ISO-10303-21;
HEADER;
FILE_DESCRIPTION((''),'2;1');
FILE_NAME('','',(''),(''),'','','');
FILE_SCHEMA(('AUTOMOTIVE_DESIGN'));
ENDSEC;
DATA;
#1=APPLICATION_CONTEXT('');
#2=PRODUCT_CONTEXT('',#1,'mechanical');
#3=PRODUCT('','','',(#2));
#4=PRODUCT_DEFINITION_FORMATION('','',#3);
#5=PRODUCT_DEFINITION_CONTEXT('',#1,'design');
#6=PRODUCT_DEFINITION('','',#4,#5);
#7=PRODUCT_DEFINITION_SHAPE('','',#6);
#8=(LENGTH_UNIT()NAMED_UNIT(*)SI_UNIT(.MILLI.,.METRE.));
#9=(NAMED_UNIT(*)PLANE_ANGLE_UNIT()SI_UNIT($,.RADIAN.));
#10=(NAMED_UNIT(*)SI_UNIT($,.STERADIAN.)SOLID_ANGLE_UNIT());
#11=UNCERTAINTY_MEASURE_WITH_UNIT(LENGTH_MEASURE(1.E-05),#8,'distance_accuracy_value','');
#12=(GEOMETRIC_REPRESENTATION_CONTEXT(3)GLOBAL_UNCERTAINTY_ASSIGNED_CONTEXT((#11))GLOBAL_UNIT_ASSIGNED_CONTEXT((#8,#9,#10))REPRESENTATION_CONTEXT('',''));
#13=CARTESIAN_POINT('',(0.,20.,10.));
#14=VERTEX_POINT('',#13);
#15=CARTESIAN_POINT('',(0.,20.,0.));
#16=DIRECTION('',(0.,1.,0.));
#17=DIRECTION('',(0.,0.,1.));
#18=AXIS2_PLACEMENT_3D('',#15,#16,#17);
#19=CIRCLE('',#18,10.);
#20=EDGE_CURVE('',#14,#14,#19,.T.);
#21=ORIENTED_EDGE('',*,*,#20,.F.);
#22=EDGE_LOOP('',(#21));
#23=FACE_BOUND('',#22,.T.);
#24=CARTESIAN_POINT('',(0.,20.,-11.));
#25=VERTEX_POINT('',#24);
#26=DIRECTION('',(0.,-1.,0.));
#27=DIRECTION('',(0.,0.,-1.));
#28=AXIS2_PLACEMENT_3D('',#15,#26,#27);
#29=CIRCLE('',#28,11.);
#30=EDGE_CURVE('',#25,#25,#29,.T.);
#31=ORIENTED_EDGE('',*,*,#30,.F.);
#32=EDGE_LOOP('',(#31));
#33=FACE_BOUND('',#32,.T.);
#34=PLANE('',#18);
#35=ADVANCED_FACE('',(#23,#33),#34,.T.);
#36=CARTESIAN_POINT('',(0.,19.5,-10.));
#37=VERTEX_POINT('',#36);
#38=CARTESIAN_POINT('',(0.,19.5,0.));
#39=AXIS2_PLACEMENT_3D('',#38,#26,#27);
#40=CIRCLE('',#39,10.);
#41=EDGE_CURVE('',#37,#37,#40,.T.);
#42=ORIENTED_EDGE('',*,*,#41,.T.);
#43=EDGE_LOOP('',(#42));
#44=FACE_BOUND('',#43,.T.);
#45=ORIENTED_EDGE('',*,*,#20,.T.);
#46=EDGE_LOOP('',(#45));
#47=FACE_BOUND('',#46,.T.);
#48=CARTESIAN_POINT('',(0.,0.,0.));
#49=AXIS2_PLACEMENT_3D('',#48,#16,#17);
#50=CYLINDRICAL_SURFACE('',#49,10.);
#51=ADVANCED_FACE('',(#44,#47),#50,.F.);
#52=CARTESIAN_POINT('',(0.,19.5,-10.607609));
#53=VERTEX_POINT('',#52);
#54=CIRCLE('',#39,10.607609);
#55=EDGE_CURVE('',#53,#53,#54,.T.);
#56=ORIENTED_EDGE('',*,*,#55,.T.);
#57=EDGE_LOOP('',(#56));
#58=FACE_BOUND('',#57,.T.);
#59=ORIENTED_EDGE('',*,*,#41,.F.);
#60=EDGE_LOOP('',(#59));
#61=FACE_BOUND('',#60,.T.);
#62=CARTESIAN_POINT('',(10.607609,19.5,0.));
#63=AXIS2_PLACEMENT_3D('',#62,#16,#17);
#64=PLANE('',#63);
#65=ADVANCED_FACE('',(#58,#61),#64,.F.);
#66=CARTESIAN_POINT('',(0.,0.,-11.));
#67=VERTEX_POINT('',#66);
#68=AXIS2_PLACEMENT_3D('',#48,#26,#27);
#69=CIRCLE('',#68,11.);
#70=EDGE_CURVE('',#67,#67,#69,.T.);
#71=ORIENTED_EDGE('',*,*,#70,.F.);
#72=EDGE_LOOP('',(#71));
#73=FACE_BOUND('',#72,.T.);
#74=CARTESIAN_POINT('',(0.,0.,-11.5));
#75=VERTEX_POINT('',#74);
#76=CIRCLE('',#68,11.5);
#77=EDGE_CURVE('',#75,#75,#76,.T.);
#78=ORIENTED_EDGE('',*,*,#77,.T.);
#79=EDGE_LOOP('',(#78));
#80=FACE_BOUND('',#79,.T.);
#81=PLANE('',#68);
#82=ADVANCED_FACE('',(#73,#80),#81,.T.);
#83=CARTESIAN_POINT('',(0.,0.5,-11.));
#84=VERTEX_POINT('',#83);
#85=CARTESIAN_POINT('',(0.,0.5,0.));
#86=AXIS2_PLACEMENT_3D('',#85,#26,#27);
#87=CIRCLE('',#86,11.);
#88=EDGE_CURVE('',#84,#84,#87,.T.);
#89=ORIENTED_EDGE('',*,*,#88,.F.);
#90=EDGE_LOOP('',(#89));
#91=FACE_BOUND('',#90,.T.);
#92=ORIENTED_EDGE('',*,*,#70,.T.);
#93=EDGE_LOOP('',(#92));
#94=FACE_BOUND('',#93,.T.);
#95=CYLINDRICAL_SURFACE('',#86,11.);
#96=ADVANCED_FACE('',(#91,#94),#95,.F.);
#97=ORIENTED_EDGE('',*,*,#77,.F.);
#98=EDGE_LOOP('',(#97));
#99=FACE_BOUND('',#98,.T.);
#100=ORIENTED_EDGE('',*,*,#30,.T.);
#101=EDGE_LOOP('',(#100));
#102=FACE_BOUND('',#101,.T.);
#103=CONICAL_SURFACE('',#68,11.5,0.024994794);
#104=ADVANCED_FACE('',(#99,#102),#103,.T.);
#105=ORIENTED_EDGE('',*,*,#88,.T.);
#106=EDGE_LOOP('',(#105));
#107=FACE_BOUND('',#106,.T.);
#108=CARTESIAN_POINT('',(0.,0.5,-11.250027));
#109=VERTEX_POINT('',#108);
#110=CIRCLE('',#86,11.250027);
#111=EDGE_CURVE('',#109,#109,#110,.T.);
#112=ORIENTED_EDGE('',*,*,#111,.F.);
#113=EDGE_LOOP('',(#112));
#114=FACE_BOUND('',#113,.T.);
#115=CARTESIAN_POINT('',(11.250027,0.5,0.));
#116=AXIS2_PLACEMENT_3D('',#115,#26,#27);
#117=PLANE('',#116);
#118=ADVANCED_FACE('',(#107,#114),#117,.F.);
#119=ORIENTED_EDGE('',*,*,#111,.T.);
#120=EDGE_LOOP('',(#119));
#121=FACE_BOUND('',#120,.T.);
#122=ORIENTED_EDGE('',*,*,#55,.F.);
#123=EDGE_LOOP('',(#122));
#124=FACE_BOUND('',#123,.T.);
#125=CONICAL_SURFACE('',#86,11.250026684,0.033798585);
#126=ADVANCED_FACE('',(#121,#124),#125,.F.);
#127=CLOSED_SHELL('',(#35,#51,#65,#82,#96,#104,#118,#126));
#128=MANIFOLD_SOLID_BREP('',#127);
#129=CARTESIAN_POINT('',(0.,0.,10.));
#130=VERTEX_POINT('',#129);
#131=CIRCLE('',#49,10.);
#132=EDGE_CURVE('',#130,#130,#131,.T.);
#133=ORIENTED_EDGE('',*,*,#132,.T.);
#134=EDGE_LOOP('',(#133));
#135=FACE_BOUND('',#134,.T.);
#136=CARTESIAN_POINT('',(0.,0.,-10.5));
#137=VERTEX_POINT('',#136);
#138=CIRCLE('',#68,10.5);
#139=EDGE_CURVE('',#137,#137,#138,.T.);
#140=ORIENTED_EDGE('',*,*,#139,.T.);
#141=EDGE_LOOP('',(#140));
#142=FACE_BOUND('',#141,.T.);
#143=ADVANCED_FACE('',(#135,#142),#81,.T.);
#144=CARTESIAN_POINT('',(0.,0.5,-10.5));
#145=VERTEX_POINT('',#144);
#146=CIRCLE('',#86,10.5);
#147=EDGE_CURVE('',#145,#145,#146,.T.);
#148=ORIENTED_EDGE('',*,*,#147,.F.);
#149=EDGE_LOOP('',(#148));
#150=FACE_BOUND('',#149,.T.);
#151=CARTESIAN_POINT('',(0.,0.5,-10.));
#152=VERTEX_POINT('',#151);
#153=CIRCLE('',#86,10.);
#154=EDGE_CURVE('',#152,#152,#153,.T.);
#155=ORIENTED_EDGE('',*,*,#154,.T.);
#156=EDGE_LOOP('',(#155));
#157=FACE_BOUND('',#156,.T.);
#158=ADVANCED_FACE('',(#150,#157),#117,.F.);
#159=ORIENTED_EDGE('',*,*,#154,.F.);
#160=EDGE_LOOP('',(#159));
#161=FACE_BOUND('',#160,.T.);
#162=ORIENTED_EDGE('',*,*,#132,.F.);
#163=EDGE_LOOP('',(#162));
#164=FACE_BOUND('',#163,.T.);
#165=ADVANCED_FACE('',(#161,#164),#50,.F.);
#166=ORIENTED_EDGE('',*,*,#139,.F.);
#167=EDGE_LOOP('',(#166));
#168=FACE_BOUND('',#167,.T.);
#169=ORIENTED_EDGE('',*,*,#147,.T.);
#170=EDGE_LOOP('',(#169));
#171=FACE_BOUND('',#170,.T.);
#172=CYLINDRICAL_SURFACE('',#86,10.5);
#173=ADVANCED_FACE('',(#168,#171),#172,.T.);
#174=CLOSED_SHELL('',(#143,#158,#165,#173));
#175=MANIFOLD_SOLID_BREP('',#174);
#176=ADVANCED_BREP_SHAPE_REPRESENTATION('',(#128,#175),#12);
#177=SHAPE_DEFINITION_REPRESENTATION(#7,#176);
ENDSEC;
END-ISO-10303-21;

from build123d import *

# Parameters (mm, degrees)
SKETCH6_R          = 10
CUT_EXTRUDE1_DEPTH = 20
SKETCH8_R          = 11
SKETCH8_R_2        = 10.5
CUT_EXTRUDE3_DEPTH = 0.5


with BuildPart() as part:
    # Sketch3 → Revolve1 (revolve)
    with BuildSketch(Plane.XY):
        Polygon((0, 0), (11.5, 0), (11, 20), (0, 20), align=None)
    revolve(axis=Axis((0, 0, 0), (0, 1, 0)))

    # Sketch6 → Cut-Extrude1 (cut)
    with BuildSketch(Plane(origin=(0, 20, 0), x_dir=(1, 0, 0), z_dir=(0, 1, 0))):
        Circle(SKETCH6_R)
    extrude(amount=-CUT_EXTRUDE1_DEPTH, mode=Mode.SUBTRACT)

    # Sketch7 → Cut-Revolve1 (revolve, cut)
    with BuildSketch(Plane.XY):
        Polygon((10, 19.5), (10, 0.5), (11.250026684, 0.5), (10.607608939, 19.5), align=None)
    revolve(axis=Axis((0, 0, 0), (0, 1, 0)), mode=Mode.SUBTRACT)

    # Sketch8 → Cut-Extrude3 (cut)
    with BuildSketch(Plane(origin=(0, 0, 0), x_dir=(-1, 0, 0), z_dir=(0, -1, 0))):
        Circle(SKETCH8_R)
        Circle(SKETCH8_R_2, mode=Mode.SUBTRACT)
    extrude(amount=-CUT_EXTRUDE3_DEPTH, mode=Mode.SUBTRACT)


solid = part.part
